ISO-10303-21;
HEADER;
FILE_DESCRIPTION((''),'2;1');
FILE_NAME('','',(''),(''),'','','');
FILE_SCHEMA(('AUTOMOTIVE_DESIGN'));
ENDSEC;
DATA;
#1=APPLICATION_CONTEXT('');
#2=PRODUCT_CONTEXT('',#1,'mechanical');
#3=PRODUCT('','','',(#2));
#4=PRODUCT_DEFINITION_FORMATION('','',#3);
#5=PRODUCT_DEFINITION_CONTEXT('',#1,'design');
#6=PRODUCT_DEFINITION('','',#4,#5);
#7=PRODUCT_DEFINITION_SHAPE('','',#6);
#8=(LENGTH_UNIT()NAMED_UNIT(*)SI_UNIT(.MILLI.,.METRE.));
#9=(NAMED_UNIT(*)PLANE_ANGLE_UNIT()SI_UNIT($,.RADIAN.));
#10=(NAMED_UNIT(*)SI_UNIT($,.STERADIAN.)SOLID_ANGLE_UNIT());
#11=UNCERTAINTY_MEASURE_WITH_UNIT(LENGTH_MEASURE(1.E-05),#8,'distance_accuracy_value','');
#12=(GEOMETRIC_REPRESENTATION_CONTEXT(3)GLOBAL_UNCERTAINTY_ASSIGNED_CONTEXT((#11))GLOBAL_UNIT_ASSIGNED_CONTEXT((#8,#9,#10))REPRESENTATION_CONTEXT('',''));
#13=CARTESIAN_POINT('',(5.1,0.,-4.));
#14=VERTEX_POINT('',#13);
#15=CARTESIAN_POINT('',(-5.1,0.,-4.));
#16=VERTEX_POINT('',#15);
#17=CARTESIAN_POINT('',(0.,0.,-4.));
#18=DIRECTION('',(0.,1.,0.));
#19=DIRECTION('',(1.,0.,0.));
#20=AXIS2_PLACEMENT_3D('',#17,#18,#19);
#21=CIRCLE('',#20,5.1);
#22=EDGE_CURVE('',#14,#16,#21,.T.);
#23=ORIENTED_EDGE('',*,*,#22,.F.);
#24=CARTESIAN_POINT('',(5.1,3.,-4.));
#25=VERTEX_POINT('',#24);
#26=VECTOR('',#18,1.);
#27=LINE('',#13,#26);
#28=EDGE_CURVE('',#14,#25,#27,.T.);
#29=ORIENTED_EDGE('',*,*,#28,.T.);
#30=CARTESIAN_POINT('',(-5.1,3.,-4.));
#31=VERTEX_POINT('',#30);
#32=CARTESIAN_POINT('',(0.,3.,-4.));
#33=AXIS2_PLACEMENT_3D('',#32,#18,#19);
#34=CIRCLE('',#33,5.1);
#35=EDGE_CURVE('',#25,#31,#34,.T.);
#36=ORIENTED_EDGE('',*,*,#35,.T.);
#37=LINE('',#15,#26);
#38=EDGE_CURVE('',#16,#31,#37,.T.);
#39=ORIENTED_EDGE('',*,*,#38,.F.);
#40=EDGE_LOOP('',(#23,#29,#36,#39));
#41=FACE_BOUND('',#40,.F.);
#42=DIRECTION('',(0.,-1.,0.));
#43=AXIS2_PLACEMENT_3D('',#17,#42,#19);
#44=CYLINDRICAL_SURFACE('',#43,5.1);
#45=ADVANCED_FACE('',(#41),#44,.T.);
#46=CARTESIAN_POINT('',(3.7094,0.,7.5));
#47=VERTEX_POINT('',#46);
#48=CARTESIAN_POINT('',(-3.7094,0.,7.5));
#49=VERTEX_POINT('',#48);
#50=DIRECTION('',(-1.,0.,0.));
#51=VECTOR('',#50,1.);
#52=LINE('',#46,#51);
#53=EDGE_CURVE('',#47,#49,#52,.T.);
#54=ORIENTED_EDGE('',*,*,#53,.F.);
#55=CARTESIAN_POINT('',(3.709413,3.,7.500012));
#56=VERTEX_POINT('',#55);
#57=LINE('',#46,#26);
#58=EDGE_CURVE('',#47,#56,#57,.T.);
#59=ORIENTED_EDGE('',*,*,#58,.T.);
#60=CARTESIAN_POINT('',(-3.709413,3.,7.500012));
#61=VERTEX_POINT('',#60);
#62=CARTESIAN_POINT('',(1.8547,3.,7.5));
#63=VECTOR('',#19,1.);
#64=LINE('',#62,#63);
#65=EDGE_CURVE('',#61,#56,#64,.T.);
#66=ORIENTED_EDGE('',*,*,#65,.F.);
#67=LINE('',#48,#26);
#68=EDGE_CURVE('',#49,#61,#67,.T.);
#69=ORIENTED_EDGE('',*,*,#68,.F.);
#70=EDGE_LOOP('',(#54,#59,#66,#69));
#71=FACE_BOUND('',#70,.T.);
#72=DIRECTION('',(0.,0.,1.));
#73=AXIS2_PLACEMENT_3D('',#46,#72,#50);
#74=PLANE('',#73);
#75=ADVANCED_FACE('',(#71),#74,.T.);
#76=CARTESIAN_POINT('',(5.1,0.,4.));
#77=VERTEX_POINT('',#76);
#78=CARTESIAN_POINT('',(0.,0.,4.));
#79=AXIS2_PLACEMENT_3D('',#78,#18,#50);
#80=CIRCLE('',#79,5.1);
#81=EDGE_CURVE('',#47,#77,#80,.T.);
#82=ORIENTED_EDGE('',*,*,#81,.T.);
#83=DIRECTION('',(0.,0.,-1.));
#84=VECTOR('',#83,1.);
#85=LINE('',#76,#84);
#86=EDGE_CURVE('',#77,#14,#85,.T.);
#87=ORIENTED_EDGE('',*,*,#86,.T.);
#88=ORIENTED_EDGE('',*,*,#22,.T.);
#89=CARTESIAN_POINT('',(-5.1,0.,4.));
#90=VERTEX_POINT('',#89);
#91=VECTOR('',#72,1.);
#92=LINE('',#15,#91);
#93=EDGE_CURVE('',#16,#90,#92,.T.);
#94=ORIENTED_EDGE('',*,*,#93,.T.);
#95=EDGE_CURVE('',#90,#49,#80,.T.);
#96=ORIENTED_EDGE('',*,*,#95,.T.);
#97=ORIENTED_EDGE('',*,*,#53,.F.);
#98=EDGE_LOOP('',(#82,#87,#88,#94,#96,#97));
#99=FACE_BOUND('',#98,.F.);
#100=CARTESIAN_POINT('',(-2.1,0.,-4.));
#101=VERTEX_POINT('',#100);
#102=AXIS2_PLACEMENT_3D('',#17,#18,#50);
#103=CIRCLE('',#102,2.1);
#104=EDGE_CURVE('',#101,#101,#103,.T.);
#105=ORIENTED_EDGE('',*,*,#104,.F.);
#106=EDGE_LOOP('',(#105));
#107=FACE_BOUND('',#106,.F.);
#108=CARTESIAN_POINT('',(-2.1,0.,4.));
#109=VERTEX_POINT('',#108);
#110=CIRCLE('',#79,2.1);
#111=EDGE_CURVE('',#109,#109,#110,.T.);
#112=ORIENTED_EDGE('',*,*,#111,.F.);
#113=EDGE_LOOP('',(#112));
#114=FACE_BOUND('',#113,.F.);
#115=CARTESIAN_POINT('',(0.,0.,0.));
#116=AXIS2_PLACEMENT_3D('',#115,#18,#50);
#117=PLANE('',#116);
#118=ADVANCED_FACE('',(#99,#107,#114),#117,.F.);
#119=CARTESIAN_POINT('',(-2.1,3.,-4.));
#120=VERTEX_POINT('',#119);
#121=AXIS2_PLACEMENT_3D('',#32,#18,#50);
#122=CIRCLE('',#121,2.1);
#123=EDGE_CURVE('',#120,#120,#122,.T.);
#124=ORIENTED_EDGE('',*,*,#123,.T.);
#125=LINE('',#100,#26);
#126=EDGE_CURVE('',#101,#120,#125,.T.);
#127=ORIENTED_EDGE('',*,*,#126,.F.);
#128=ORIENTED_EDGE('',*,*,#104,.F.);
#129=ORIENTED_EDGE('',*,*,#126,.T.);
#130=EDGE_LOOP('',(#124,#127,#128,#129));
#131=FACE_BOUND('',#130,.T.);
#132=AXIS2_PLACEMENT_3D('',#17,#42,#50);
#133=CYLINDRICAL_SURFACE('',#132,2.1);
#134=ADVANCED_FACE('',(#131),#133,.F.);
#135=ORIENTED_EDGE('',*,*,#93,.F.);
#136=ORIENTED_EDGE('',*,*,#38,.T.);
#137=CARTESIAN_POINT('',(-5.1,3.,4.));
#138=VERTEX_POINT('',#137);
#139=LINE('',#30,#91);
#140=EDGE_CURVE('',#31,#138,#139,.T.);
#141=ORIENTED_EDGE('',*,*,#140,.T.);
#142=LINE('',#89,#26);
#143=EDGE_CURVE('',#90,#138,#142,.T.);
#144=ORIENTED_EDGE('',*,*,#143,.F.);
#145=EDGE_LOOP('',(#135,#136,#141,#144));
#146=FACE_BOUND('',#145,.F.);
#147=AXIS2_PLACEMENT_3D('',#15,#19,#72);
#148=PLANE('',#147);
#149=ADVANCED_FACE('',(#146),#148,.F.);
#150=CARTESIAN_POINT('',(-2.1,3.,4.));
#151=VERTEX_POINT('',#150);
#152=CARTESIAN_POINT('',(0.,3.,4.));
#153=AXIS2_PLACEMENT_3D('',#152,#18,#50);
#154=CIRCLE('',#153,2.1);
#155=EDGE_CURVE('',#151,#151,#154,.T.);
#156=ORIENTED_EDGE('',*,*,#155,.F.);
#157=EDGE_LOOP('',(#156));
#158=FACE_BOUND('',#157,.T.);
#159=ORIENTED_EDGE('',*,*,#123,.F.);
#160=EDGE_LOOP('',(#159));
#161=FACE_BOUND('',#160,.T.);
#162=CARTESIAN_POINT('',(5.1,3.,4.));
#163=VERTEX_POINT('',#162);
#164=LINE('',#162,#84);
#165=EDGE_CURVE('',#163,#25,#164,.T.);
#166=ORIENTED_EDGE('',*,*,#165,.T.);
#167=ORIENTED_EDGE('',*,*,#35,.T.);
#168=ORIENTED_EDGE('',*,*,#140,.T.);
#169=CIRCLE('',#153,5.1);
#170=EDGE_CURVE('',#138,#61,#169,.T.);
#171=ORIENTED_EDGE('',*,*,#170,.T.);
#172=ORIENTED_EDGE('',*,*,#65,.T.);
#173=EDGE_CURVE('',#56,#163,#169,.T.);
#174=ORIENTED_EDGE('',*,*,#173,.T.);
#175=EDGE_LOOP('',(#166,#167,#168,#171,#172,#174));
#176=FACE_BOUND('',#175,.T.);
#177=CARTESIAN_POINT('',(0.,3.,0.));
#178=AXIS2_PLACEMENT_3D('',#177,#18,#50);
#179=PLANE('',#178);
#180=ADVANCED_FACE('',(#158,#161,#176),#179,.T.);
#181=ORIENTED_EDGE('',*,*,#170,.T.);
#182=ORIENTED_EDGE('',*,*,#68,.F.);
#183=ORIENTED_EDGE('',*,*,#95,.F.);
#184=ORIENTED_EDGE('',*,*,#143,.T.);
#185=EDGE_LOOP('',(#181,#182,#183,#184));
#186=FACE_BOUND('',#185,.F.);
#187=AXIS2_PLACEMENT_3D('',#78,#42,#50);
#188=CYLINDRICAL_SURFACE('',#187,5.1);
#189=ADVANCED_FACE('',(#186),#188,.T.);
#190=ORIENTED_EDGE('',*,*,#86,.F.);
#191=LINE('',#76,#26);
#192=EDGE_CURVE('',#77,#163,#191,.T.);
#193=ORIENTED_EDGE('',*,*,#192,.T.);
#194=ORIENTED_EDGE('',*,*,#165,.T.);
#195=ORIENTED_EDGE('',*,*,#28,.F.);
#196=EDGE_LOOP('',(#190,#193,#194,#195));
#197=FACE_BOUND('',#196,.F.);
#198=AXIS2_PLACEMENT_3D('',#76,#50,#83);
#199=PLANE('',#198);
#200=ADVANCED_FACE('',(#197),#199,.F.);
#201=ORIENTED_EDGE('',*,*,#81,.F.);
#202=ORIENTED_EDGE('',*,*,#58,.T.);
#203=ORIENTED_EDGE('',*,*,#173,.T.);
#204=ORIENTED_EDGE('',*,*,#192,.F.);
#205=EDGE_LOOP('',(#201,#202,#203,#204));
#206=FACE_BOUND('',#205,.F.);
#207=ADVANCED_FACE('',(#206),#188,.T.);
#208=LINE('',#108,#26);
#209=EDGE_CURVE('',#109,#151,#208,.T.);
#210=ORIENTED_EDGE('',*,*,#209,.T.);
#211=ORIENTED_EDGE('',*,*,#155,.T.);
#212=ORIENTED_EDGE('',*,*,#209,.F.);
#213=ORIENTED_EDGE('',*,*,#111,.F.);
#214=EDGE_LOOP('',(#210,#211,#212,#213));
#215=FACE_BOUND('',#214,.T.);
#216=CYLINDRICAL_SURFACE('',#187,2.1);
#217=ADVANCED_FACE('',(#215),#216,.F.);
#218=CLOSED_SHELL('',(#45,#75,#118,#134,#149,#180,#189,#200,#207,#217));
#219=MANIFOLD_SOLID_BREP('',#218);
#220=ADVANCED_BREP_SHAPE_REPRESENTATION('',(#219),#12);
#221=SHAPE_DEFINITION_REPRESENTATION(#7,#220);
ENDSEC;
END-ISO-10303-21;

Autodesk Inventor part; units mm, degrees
ref_plane "YZ Plane" through (0, 0, 0) normal (1, 0, 0) x (0, 1, 0)
ref_plane "XZ Plane" through (0, 0, 0) normal (0, 1, 0) x (-1, 0, 0)
ref_plane "XY Plane" through (0, 0, 0) normal (0, 0, 1) x (1, 0, 0)
sketch "Skizze1" plane through (0, 0, 0) normal (0, 1, 0) x (-1, 0, 0)
  circle A0 centre (0, 4) radius 2.1
  circle A1 centre (0, -4) radius 2.1
  line L0 (0, 4) -> (0, -4) construction
  line L1 (0, 4) -> (0, -4) construction
  line L2 (-5.1, 4) -> (-5.1, -4)
  line L3 (5.1, -4) -> (5.1, 4)
  arc A2 (5.1, 4) -> (-5.1, 4) centre (0, 4) ccw
  arc A3 (-5.1, -4) -> (5.1, -4) centre (0, -4) ccw
  point P0 (0, 0)
  point P1 (0, 0)
  point P2 (0, 0)
  dimension "d0" = 4.2
  dimension "d1" = 3
  dimension "d2" = 8
extrude "Extrusion1" add sketch "Skizze1" along normal blind 3
sketch "Skizze2" plane through (0, 0, 0) normal (0, -1, 0) x (1, 0, 0)
  arc A0 (5.1, 4) -> (-5.1, 4) centre (0, 4) ccw construction
  line L0 (3.7094, 7.5) -> (-3.7094, 7.5)
  arc A1 (3.7094, 7.5) -> (-3.7094, 7.5) centre (0, 4) ccw
  arc A2 (5.1, 4) -> (-5.1, 4) centre (0, 4) ccw projected
  point P0 (0, 0)
  dimension "d5" = 3.5
extrude "Extrusion2" cut sketch "Skizze2" against normal blind 10
properties part number "_3D-Druck"
